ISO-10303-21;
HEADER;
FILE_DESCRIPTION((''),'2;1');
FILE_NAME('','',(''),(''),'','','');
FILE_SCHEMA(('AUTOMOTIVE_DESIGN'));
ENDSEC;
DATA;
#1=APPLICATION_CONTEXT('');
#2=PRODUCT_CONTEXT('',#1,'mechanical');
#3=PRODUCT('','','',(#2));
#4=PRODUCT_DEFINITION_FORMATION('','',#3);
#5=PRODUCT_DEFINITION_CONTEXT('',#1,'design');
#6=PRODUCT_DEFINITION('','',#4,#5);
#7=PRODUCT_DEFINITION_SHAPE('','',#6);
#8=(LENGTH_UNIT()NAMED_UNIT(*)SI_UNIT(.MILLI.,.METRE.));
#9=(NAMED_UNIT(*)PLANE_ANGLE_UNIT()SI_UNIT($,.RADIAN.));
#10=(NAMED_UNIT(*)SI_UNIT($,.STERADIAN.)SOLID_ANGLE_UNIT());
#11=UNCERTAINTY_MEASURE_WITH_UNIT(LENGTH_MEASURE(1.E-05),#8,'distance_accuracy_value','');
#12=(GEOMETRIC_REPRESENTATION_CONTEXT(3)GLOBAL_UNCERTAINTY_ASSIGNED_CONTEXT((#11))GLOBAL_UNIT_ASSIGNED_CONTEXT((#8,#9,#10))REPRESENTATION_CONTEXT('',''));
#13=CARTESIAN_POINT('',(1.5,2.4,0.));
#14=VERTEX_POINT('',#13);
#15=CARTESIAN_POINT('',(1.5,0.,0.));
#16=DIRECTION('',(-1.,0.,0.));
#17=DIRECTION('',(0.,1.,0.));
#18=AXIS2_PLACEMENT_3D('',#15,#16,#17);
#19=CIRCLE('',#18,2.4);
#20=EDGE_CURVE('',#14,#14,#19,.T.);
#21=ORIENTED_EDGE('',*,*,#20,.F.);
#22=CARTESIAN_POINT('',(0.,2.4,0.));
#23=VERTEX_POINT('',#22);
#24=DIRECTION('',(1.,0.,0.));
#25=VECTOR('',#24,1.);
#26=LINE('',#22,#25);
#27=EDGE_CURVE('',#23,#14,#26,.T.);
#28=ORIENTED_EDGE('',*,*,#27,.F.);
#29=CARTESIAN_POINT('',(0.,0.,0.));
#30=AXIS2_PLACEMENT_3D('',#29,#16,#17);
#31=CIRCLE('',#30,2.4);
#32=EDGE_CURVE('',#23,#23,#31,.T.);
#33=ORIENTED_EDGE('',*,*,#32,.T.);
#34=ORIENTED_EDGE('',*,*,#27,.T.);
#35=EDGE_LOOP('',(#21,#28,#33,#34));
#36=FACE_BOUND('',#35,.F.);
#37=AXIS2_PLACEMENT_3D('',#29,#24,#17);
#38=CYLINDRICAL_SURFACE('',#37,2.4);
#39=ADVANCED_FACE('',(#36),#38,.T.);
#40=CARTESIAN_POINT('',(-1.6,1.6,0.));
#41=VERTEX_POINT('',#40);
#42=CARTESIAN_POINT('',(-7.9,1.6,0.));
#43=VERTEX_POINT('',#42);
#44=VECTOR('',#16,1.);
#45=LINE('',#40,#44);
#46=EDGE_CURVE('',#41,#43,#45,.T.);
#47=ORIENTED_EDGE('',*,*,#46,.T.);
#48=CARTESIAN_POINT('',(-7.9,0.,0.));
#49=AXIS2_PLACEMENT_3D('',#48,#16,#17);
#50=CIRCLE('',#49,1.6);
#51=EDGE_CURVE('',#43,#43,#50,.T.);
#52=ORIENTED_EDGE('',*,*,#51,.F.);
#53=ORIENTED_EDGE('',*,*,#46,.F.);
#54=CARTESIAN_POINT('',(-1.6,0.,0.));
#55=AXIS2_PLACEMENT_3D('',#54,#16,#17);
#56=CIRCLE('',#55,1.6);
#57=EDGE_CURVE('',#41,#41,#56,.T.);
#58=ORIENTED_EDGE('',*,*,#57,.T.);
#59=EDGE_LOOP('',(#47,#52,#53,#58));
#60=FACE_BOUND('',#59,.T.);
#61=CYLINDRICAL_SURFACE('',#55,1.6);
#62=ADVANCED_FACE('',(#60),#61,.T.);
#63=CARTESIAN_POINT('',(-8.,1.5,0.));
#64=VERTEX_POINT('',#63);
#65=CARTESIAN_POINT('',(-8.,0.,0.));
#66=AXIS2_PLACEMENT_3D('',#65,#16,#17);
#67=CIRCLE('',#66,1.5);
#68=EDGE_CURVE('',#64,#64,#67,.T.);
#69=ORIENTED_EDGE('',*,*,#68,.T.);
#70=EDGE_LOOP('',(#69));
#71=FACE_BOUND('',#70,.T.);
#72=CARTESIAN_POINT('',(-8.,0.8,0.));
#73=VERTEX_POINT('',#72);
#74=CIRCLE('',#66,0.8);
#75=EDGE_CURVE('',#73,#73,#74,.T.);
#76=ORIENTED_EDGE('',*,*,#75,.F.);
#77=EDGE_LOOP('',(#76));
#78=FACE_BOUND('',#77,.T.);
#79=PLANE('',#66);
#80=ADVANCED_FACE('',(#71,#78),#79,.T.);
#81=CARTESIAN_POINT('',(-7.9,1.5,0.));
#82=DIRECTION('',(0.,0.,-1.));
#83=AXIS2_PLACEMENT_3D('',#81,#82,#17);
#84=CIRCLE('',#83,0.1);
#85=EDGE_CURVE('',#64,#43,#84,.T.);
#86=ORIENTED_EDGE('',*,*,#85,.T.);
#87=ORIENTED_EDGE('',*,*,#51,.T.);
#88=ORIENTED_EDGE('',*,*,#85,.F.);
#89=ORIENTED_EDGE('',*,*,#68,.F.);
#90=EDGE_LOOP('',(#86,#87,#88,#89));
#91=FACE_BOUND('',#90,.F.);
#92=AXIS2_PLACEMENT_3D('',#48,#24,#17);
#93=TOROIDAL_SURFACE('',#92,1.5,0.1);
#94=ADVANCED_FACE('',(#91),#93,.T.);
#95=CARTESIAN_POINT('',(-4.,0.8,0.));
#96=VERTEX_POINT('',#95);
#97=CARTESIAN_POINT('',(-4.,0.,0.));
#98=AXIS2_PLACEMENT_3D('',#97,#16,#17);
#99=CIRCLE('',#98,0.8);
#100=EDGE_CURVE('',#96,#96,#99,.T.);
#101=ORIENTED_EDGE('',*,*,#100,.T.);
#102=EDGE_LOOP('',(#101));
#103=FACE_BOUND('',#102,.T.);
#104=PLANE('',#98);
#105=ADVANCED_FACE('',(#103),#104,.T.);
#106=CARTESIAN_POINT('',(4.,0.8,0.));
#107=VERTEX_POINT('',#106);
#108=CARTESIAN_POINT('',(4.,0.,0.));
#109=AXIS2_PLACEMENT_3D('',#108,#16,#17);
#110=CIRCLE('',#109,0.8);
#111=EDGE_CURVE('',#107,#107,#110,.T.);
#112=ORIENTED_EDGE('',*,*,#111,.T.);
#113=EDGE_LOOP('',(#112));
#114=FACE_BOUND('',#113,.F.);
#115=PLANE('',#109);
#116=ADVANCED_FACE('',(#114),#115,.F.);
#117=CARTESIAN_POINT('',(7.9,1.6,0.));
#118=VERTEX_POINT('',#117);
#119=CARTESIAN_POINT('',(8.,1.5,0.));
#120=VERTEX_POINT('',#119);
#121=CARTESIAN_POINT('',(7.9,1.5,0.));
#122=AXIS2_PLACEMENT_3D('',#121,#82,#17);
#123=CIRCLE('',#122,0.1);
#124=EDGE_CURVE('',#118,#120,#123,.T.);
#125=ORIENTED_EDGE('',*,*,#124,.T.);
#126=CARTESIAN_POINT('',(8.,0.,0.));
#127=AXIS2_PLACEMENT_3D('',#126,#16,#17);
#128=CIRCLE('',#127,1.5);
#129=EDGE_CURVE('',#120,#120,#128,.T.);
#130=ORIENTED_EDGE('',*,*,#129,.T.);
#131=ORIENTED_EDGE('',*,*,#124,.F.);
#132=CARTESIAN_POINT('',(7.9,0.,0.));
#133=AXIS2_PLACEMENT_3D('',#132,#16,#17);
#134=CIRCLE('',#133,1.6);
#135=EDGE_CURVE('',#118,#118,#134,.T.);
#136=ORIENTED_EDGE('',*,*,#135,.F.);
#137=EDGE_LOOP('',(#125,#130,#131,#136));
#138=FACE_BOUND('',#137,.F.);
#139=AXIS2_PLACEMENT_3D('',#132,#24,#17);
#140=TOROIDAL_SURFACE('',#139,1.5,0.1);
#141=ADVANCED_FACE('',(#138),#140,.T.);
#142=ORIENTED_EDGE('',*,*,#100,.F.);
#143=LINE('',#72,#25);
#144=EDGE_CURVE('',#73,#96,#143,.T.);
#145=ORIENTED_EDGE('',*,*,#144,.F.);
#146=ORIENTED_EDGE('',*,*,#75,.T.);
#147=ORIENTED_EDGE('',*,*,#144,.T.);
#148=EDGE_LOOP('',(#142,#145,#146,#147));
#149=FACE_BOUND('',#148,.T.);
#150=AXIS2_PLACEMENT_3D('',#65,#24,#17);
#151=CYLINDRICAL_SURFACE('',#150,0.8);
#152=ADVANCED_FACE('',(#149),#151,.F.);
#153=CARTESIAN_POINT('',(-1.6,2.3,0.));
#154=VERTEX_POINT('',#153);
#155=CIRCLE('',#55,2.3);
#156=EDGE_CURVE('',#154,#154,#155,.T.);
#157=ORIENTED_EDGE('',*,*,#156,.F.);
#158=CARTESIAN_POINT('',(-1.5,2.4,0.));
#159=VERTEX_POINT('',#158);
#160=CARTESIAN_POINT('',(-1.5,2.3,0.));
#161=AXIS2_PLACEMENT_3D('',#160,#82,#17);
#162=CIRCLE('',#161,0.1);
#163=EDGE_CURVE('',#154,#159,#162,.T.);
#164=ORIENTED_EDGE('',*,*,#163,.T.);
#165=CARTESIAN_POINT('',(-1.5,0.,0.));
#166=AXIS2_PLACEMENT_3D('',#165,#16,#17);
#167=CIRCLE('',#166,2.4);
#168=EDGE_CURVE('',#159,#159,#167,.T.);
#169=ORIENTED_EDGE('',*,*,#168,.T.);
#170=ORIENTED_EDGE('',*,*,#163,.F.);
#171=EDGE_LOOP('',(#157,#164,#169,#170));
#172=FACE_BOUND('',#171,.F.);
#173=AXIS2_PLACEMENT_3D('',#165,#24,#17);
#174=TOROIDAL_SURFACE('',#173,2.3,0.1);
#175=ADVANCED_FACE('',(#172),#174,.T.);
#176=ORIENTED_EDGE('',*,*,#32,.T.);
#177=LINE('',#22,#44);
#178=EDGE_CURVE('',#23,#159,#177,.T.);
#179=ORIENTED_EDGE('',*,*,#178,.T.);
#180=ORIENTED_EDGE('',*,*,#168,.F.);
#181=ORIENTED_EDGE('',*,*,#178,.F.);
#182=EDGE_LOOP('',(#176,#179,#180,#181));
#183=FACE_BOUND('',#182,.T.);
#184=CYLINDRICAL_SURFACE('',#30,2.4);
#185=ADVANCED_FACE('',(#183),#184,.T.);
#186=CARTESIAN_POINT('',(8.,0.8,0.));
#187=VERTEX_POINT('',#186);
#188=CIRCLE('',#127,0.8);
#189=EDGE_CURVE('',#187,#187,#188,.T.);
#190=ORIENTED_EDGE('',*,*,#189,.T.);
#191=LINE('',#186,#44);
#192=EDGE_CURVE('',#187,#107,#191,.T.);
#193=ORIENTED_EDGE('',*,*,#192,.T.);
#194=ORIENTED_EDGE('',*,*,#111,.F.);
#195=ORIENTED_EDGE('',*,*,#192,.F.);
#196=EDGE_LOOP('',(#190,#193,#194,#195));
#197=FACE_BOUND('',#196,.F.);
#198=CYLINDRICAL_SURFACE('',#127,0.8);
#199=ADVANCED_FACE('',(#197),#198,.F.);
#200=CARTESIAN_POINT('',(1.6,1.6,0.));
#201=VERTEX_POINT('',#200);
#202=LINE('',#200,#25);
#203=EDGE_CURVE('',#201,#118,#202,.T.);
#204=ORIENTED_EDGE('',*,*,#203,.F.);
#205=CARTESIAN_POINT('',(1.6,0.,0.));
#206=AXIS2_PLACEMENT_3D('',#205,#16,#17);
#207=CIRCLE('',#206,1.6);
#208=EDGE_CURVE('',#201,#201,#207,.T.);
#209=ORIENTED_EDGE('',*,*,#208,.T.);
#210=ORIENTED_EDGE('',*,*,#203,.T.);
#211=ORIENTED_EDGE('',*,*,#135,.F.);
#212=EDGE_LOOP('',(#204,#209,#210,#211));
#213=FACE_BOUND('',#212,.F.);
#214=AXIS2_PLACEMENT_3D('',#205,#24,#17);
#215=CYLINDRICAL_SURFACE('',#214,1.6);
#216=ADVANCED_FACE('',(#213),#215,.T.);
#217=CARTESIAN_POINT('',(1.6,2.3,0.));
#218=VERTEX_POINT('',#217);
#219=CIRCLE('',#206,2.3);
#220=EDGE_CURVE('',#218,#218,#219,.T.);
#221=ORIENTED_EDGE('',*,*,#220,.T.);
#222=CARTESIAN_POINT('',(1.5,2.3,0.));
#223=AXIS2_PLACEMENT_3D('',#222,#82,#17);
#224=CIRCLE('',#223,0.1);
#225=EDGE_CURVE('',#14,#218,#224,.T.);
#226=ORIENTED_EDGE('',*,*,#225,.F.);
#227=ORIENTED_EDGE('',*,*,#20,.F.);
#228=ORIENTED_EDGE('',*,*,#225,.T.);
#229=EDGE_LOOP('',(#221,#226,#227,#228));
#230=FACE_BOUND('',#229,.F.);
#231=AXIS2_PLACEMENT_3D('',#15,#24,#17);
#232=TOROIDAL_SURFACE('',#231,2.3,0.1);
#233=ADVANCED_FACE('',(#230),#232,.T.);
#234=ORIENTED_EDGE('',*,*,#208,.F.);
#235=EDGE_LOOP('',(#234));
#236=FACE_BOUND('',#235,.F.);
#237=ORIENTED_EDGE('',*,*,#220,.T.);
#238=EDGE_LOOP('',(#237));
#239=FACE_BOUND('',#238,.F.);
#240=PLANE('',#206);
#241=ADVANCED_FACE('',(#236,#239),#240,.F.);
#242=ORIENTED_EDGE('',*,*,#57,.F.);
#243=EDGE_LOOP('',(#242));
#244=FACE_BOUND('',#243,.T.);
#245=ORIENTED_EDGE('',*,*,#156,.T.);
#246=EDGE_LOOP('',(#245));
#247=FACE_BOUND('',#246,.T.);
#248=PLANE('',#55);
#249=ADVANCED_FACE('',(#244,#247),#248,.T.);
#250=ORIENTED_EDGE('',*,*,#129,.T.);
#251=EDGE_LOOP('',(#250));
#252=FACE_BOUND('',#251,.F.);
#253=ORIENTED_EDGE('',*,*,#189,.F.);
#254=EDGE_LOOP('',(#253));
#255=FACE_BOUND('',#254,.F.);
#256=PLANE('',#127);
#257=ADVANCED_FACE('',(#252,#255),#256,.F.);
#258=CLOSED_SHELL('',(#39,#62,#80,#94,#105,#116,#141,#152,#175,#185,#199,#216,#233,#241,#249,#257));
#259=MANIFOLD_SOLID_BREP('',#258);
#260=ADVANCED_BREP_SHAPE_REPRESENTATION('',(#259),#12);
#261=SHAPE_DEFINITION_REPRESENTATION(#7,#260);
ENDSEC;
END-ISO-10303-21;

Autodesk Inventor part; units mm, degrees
ref_plane "YZ Plane" through (0, 0, 0) normal (1, 0, 0) x (0, 1, 0)
ref_plane "XZ Plane" through (0, 0, 0) normal (0, 1, 0) x (-1, 0, 0)
ref_plane "XY Plane" through (0, 0, 0) normal (0, 0, 1) x (1, 0, 0)
sketch "Sketch1" plane through (0, 0, 0) normal (0, 0, 1) x (1, 0, 0)
  line L0 (0, 0) -> (-8, 0)
  line L1 (0, 2.4) -> (-1.6, 2.4)
  line L2 (-1.6, 2.4) -> (-1.6, 1.6)
  line L3 (-1.6, 1.6) -> (-8, 1.6)
  line L4 (-8, 1.6) -> (-8, 0.8)
  line L5 (-8, 0.8) -> (-4, 0.8)
  line L6 (-4, 0.8) -> (-4, 0)
  line L7 (0, 2.4) -> (0, 0) construction
  line L8 (0, 2.4) -> (1.6, 2.4)
  line L9 (1.6, 2.4) -> (1.6, 1.6)
  line L10 (1.6, 1.6) -> (8, 1.6)
  line L11 (8, 1.6) -> (8, 0.8)
  line L12 (8, 0.8) -> (4, 0.8)
  line L13 (4, 0.8) -> (4, 0)
  line L14 (-4, 0) -> (4, 0)
  dimension "d0" = 8
  dimension "d2" = 4.8
  dimension "d3" = 3.2
  dimension "d4" = 1.6
  dimension "d5" = 4
  dimension "d6" = 3.2
revolve "Revolution1" add sketch "Sketch1" angle 360 about axis through (0, 0, 0) along (-1, 0, 0)
fillet "Fillet1" radius 0.1 4 edges at (-1.6, -2.4, 0) (1.6, -2.4, 0) (8, -1.6, 0) (-8, -1.6, 0)
equation "\"d0\" = lu"
equation "\"d2\" = kd"
equation "\"d3\" = rd"
equation "\"d4\" = 0.5 * rd"
equation "\"d5\" = 0.5 * lu"
equation "\"d6\" = rd"
equation "\"d8\" = lf"
equation "\"lu\" = 8"
equation "\"kd\" = 4.8"
equation "\"rd\" = 3.2"
equation "\"lf\" = 0.1"
properties part number "78258-DarkStoneGrey" material "ABS Plastic"
